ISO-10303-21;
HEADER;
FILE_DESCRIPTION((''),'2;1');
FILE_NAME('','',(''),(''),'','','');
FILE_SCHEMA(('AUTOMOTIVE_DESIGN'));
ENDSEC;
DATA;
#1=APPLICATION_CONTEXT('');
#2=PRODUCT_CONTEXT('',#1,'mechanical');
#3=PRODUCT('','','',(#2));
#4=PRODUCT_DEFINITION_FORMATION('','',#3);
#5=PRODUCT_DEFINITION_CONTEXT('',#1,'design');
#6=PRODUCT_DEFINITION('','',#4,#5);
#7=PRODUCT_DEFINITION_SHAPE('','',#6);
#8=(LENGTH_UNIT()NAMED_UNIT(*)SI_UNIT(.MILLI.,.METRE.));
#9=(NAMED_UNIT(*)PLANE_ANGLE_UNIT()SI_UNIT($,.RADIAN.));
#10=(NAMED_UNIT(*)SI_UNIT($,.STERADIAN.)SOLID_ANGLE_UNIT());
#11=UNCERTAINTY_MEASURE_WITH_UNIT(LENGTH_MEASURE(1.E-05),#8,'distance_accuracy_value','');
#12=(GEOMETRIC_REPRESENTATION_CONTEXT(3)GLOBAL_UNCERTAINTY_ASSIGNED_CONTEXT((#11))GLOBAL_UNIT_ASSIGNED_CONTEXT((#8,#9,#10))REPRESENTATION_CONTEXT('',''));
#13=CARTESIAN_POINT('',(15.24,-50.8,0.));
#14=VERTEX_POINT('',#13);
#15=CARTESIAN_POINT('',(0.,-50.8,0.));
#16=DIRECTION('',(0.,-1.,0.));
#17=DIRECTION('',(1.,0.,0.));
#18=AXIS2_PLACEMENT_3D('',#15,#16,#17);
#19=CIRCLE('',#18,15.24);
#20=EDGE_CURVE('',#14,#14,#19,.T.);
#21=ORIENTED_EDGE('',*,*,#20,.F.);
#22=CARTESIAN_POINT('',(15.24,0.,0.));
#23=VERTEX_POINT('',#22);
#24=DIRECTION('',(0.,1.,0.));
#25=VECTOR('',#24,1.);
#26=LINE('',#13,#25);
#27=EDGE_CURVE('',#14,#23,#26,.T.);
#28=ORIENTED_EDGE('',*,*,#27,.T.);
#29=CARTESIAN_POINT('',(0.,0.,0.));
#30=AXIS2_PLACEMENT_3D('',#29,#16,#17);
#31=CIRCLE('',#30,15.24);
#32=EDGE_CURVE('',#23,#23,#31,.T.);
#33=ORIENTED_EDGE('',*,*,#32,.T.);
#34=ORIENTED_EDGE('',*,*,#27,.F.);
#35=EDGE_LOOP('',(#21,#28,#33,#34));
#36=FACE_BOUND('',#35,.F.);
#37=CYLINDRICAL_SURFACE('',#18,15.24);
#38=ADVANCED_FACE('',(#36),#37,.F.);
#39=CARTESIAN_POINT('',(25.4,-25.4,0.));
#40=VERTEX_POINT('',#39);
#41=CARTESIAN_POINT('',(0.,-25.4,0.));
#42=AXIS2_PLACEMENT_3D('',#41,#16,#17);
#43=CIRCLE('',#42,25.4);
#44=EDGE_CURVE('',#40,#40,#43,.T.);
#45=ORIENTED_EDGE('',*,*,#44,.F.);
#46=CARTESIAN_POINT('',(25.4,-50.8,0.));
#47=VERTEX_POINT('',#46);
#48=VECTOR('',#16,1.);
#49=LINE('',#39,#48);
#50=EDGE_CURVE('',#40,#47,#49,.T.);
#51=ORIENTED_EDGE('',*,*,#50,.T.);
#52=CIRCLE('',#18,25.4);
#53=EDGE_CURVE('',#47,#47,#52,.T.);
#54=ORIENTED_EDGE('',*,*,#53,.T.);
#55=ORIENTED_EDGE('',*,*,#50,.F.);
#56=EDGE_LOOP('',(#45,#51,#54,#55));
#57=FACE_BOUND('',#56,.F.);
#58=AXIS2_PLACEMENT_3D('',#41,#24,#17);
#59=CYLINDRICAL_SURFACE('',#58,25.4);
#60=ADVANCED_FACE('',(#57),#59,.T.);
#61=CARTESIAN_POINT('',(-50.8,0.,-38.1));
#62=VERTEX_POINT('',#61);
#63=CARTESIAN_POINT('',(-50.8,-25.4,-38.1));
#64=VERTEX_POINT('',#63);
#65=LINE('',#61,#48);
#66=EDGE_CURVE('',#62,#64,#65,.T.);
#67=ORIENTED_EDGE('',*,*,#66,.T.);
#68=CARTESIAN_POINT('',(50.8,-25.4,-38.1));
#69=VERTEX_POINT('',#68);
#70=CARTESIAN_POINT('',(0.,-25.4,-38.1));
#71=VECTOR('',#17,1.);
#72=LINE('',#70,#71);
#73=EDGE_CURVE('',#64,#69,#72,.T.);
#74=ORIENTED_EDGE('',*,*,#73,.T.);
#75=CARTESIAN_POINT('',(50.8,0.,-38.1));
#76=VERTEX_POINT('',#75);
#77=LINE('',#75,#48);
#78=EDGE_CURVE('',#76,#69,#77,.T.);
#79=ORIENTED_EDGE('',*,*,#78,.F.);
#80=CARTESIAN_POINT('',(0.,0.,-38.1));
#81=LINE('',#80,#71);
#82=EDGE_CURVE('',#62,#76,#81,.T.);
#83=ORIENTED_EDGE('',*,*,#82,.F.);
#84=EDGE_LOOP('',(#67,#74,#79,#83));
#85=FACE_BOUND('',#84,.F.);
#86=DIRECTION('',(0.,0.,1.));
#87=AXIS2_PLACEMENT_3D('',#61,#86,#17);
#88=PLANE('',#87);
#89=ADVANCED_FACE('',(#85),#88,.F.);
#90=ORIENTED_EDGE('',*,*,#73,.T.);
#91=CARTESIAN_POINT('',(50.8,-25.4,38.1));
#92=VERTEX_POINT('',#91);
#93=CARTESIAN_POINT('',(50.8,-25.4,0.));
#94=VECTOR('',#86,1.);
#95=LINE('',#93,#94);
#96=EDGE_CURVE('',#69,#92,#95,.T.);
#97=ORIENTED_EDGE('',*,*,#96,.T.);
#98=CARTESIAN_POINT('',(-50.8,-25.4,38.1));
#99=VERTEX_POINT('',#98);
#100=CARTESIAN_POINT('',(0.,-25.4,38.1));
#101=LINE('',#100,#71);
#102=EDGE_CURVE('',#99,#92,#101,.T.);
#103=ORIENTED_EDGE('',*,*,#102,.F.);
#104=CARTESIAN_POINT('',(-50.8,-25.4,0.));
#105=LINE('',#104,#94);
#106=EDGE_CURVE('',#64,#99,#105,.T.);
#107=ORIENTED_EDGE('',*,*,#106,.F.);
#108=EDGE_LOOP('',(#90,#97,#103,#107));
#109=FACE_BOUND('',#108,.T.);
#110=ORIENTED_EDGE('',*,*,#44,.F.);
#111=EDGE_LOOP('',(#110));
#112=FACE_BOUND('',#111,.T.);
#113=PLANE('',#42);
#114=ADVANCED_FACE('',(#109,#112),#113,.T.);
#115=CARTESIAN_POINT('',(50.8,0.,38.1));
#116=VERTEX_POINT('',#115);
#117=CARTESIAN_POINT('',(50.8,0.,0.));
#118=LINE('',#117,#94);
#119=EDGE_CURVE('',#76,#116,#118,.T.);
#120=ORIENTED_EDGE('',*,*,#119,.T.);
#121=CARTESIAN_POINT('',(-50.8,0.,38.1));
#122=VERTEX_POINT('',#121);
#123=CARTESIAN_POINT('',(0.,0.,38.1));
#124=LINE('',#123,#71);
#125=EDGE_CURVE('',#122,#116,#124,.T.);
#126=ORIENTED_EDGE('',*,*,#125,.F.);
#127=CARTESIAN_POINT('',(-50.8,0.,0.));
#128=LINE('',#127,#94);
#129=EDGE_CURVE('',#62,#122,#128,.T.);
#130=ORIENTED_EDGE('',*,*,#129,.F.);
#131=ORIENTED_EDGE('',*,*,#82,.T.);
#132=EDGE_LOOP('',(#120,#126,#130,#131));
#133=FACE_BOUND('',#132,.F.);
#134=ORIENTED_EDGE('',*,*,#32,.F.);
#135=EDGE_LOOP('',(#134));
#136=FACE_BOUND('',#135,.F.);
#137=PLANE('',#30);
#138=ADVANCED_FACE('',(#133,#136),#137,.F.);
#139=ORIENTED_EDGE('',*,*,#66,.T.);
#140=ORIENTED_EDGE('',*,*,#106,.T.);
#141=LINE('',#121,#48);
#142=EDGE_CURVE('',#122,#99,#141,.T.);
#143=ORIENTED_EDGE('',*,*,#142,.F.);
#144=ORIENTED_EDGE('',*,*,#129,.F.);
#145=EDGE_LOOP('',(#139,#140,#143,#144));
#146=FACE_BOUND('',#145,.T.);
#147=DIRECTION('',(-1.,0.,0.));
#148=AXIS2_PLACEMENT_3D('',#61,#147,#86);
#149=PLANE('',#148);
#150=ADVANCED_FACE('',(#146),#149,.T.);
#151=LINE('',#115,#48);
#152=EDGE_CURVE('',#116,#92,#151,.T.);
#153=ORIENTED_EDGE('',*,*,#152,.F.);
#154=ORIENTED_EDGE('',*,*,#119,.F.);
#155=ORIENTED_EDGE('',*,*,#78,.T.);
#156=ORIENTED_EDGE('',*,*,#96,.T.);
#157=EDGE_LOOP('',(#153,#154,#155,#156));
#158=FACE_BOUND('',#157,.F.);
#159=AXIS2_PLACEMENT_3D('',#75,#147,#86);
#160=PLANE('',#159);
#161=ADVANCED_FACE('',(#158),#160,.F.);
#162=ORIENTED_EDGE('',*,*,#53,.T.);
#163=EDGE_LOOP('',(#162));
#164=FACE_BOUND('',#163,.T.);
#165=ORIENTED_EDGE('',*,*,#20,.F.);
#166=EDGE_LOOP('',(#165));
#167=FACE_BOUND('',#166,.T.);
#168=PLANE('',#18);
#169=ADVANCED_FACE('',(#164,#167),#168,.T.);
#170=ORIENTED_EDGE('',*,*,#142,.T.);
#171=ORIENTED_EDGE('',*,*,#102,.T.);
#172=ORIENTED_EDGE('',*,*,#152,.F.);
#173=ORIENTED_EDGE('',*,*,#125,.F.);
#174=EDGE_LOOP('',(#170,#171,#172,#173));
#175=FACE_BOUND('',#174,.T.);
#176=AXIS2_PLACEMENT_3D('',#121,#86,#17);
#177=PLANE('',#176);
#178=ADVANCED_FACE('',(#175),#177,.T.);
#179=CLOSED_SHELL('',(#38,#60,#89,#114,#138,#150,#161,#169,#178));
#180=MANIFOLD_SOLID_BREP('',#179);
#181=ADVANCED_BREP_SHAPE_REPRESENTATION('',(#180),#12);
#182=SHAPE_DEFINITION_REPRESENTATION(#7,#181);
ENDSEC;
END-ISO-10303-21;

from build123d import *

# Parameters (mm, degrees)
F0_W     = 101.6
F0_H     = 76.2
F1_DEPTH = 25.4
F2_R     = 25.4
F3_DEPTH = 25.4
F4_R     = 15.24
F5_DEPTH = 61.722


with BuildPart() as f1:
    # F0 (on Front) → F1 (new body)
    with BuildSketch(Plane.XZ):
        Rectangle(F0_W, F0_H)
    extrude(amount=F1_DEPTH)

    # F2 (on face) → F3 (join)
    with BuildSketch(Plane.XZ.offset(25.4)):
        Circle(F2_R)
    extrude(amount=F3_DEPTH)

    # F4 (on face) → F5 (cut)
    with BuildSketch(Plane.XZ.offset(50.8)):
        Circle(F4_R)
    extrude(amount=-F5_DEPTH, mode=Mode.SUBTRACT)


solid = f1.part
